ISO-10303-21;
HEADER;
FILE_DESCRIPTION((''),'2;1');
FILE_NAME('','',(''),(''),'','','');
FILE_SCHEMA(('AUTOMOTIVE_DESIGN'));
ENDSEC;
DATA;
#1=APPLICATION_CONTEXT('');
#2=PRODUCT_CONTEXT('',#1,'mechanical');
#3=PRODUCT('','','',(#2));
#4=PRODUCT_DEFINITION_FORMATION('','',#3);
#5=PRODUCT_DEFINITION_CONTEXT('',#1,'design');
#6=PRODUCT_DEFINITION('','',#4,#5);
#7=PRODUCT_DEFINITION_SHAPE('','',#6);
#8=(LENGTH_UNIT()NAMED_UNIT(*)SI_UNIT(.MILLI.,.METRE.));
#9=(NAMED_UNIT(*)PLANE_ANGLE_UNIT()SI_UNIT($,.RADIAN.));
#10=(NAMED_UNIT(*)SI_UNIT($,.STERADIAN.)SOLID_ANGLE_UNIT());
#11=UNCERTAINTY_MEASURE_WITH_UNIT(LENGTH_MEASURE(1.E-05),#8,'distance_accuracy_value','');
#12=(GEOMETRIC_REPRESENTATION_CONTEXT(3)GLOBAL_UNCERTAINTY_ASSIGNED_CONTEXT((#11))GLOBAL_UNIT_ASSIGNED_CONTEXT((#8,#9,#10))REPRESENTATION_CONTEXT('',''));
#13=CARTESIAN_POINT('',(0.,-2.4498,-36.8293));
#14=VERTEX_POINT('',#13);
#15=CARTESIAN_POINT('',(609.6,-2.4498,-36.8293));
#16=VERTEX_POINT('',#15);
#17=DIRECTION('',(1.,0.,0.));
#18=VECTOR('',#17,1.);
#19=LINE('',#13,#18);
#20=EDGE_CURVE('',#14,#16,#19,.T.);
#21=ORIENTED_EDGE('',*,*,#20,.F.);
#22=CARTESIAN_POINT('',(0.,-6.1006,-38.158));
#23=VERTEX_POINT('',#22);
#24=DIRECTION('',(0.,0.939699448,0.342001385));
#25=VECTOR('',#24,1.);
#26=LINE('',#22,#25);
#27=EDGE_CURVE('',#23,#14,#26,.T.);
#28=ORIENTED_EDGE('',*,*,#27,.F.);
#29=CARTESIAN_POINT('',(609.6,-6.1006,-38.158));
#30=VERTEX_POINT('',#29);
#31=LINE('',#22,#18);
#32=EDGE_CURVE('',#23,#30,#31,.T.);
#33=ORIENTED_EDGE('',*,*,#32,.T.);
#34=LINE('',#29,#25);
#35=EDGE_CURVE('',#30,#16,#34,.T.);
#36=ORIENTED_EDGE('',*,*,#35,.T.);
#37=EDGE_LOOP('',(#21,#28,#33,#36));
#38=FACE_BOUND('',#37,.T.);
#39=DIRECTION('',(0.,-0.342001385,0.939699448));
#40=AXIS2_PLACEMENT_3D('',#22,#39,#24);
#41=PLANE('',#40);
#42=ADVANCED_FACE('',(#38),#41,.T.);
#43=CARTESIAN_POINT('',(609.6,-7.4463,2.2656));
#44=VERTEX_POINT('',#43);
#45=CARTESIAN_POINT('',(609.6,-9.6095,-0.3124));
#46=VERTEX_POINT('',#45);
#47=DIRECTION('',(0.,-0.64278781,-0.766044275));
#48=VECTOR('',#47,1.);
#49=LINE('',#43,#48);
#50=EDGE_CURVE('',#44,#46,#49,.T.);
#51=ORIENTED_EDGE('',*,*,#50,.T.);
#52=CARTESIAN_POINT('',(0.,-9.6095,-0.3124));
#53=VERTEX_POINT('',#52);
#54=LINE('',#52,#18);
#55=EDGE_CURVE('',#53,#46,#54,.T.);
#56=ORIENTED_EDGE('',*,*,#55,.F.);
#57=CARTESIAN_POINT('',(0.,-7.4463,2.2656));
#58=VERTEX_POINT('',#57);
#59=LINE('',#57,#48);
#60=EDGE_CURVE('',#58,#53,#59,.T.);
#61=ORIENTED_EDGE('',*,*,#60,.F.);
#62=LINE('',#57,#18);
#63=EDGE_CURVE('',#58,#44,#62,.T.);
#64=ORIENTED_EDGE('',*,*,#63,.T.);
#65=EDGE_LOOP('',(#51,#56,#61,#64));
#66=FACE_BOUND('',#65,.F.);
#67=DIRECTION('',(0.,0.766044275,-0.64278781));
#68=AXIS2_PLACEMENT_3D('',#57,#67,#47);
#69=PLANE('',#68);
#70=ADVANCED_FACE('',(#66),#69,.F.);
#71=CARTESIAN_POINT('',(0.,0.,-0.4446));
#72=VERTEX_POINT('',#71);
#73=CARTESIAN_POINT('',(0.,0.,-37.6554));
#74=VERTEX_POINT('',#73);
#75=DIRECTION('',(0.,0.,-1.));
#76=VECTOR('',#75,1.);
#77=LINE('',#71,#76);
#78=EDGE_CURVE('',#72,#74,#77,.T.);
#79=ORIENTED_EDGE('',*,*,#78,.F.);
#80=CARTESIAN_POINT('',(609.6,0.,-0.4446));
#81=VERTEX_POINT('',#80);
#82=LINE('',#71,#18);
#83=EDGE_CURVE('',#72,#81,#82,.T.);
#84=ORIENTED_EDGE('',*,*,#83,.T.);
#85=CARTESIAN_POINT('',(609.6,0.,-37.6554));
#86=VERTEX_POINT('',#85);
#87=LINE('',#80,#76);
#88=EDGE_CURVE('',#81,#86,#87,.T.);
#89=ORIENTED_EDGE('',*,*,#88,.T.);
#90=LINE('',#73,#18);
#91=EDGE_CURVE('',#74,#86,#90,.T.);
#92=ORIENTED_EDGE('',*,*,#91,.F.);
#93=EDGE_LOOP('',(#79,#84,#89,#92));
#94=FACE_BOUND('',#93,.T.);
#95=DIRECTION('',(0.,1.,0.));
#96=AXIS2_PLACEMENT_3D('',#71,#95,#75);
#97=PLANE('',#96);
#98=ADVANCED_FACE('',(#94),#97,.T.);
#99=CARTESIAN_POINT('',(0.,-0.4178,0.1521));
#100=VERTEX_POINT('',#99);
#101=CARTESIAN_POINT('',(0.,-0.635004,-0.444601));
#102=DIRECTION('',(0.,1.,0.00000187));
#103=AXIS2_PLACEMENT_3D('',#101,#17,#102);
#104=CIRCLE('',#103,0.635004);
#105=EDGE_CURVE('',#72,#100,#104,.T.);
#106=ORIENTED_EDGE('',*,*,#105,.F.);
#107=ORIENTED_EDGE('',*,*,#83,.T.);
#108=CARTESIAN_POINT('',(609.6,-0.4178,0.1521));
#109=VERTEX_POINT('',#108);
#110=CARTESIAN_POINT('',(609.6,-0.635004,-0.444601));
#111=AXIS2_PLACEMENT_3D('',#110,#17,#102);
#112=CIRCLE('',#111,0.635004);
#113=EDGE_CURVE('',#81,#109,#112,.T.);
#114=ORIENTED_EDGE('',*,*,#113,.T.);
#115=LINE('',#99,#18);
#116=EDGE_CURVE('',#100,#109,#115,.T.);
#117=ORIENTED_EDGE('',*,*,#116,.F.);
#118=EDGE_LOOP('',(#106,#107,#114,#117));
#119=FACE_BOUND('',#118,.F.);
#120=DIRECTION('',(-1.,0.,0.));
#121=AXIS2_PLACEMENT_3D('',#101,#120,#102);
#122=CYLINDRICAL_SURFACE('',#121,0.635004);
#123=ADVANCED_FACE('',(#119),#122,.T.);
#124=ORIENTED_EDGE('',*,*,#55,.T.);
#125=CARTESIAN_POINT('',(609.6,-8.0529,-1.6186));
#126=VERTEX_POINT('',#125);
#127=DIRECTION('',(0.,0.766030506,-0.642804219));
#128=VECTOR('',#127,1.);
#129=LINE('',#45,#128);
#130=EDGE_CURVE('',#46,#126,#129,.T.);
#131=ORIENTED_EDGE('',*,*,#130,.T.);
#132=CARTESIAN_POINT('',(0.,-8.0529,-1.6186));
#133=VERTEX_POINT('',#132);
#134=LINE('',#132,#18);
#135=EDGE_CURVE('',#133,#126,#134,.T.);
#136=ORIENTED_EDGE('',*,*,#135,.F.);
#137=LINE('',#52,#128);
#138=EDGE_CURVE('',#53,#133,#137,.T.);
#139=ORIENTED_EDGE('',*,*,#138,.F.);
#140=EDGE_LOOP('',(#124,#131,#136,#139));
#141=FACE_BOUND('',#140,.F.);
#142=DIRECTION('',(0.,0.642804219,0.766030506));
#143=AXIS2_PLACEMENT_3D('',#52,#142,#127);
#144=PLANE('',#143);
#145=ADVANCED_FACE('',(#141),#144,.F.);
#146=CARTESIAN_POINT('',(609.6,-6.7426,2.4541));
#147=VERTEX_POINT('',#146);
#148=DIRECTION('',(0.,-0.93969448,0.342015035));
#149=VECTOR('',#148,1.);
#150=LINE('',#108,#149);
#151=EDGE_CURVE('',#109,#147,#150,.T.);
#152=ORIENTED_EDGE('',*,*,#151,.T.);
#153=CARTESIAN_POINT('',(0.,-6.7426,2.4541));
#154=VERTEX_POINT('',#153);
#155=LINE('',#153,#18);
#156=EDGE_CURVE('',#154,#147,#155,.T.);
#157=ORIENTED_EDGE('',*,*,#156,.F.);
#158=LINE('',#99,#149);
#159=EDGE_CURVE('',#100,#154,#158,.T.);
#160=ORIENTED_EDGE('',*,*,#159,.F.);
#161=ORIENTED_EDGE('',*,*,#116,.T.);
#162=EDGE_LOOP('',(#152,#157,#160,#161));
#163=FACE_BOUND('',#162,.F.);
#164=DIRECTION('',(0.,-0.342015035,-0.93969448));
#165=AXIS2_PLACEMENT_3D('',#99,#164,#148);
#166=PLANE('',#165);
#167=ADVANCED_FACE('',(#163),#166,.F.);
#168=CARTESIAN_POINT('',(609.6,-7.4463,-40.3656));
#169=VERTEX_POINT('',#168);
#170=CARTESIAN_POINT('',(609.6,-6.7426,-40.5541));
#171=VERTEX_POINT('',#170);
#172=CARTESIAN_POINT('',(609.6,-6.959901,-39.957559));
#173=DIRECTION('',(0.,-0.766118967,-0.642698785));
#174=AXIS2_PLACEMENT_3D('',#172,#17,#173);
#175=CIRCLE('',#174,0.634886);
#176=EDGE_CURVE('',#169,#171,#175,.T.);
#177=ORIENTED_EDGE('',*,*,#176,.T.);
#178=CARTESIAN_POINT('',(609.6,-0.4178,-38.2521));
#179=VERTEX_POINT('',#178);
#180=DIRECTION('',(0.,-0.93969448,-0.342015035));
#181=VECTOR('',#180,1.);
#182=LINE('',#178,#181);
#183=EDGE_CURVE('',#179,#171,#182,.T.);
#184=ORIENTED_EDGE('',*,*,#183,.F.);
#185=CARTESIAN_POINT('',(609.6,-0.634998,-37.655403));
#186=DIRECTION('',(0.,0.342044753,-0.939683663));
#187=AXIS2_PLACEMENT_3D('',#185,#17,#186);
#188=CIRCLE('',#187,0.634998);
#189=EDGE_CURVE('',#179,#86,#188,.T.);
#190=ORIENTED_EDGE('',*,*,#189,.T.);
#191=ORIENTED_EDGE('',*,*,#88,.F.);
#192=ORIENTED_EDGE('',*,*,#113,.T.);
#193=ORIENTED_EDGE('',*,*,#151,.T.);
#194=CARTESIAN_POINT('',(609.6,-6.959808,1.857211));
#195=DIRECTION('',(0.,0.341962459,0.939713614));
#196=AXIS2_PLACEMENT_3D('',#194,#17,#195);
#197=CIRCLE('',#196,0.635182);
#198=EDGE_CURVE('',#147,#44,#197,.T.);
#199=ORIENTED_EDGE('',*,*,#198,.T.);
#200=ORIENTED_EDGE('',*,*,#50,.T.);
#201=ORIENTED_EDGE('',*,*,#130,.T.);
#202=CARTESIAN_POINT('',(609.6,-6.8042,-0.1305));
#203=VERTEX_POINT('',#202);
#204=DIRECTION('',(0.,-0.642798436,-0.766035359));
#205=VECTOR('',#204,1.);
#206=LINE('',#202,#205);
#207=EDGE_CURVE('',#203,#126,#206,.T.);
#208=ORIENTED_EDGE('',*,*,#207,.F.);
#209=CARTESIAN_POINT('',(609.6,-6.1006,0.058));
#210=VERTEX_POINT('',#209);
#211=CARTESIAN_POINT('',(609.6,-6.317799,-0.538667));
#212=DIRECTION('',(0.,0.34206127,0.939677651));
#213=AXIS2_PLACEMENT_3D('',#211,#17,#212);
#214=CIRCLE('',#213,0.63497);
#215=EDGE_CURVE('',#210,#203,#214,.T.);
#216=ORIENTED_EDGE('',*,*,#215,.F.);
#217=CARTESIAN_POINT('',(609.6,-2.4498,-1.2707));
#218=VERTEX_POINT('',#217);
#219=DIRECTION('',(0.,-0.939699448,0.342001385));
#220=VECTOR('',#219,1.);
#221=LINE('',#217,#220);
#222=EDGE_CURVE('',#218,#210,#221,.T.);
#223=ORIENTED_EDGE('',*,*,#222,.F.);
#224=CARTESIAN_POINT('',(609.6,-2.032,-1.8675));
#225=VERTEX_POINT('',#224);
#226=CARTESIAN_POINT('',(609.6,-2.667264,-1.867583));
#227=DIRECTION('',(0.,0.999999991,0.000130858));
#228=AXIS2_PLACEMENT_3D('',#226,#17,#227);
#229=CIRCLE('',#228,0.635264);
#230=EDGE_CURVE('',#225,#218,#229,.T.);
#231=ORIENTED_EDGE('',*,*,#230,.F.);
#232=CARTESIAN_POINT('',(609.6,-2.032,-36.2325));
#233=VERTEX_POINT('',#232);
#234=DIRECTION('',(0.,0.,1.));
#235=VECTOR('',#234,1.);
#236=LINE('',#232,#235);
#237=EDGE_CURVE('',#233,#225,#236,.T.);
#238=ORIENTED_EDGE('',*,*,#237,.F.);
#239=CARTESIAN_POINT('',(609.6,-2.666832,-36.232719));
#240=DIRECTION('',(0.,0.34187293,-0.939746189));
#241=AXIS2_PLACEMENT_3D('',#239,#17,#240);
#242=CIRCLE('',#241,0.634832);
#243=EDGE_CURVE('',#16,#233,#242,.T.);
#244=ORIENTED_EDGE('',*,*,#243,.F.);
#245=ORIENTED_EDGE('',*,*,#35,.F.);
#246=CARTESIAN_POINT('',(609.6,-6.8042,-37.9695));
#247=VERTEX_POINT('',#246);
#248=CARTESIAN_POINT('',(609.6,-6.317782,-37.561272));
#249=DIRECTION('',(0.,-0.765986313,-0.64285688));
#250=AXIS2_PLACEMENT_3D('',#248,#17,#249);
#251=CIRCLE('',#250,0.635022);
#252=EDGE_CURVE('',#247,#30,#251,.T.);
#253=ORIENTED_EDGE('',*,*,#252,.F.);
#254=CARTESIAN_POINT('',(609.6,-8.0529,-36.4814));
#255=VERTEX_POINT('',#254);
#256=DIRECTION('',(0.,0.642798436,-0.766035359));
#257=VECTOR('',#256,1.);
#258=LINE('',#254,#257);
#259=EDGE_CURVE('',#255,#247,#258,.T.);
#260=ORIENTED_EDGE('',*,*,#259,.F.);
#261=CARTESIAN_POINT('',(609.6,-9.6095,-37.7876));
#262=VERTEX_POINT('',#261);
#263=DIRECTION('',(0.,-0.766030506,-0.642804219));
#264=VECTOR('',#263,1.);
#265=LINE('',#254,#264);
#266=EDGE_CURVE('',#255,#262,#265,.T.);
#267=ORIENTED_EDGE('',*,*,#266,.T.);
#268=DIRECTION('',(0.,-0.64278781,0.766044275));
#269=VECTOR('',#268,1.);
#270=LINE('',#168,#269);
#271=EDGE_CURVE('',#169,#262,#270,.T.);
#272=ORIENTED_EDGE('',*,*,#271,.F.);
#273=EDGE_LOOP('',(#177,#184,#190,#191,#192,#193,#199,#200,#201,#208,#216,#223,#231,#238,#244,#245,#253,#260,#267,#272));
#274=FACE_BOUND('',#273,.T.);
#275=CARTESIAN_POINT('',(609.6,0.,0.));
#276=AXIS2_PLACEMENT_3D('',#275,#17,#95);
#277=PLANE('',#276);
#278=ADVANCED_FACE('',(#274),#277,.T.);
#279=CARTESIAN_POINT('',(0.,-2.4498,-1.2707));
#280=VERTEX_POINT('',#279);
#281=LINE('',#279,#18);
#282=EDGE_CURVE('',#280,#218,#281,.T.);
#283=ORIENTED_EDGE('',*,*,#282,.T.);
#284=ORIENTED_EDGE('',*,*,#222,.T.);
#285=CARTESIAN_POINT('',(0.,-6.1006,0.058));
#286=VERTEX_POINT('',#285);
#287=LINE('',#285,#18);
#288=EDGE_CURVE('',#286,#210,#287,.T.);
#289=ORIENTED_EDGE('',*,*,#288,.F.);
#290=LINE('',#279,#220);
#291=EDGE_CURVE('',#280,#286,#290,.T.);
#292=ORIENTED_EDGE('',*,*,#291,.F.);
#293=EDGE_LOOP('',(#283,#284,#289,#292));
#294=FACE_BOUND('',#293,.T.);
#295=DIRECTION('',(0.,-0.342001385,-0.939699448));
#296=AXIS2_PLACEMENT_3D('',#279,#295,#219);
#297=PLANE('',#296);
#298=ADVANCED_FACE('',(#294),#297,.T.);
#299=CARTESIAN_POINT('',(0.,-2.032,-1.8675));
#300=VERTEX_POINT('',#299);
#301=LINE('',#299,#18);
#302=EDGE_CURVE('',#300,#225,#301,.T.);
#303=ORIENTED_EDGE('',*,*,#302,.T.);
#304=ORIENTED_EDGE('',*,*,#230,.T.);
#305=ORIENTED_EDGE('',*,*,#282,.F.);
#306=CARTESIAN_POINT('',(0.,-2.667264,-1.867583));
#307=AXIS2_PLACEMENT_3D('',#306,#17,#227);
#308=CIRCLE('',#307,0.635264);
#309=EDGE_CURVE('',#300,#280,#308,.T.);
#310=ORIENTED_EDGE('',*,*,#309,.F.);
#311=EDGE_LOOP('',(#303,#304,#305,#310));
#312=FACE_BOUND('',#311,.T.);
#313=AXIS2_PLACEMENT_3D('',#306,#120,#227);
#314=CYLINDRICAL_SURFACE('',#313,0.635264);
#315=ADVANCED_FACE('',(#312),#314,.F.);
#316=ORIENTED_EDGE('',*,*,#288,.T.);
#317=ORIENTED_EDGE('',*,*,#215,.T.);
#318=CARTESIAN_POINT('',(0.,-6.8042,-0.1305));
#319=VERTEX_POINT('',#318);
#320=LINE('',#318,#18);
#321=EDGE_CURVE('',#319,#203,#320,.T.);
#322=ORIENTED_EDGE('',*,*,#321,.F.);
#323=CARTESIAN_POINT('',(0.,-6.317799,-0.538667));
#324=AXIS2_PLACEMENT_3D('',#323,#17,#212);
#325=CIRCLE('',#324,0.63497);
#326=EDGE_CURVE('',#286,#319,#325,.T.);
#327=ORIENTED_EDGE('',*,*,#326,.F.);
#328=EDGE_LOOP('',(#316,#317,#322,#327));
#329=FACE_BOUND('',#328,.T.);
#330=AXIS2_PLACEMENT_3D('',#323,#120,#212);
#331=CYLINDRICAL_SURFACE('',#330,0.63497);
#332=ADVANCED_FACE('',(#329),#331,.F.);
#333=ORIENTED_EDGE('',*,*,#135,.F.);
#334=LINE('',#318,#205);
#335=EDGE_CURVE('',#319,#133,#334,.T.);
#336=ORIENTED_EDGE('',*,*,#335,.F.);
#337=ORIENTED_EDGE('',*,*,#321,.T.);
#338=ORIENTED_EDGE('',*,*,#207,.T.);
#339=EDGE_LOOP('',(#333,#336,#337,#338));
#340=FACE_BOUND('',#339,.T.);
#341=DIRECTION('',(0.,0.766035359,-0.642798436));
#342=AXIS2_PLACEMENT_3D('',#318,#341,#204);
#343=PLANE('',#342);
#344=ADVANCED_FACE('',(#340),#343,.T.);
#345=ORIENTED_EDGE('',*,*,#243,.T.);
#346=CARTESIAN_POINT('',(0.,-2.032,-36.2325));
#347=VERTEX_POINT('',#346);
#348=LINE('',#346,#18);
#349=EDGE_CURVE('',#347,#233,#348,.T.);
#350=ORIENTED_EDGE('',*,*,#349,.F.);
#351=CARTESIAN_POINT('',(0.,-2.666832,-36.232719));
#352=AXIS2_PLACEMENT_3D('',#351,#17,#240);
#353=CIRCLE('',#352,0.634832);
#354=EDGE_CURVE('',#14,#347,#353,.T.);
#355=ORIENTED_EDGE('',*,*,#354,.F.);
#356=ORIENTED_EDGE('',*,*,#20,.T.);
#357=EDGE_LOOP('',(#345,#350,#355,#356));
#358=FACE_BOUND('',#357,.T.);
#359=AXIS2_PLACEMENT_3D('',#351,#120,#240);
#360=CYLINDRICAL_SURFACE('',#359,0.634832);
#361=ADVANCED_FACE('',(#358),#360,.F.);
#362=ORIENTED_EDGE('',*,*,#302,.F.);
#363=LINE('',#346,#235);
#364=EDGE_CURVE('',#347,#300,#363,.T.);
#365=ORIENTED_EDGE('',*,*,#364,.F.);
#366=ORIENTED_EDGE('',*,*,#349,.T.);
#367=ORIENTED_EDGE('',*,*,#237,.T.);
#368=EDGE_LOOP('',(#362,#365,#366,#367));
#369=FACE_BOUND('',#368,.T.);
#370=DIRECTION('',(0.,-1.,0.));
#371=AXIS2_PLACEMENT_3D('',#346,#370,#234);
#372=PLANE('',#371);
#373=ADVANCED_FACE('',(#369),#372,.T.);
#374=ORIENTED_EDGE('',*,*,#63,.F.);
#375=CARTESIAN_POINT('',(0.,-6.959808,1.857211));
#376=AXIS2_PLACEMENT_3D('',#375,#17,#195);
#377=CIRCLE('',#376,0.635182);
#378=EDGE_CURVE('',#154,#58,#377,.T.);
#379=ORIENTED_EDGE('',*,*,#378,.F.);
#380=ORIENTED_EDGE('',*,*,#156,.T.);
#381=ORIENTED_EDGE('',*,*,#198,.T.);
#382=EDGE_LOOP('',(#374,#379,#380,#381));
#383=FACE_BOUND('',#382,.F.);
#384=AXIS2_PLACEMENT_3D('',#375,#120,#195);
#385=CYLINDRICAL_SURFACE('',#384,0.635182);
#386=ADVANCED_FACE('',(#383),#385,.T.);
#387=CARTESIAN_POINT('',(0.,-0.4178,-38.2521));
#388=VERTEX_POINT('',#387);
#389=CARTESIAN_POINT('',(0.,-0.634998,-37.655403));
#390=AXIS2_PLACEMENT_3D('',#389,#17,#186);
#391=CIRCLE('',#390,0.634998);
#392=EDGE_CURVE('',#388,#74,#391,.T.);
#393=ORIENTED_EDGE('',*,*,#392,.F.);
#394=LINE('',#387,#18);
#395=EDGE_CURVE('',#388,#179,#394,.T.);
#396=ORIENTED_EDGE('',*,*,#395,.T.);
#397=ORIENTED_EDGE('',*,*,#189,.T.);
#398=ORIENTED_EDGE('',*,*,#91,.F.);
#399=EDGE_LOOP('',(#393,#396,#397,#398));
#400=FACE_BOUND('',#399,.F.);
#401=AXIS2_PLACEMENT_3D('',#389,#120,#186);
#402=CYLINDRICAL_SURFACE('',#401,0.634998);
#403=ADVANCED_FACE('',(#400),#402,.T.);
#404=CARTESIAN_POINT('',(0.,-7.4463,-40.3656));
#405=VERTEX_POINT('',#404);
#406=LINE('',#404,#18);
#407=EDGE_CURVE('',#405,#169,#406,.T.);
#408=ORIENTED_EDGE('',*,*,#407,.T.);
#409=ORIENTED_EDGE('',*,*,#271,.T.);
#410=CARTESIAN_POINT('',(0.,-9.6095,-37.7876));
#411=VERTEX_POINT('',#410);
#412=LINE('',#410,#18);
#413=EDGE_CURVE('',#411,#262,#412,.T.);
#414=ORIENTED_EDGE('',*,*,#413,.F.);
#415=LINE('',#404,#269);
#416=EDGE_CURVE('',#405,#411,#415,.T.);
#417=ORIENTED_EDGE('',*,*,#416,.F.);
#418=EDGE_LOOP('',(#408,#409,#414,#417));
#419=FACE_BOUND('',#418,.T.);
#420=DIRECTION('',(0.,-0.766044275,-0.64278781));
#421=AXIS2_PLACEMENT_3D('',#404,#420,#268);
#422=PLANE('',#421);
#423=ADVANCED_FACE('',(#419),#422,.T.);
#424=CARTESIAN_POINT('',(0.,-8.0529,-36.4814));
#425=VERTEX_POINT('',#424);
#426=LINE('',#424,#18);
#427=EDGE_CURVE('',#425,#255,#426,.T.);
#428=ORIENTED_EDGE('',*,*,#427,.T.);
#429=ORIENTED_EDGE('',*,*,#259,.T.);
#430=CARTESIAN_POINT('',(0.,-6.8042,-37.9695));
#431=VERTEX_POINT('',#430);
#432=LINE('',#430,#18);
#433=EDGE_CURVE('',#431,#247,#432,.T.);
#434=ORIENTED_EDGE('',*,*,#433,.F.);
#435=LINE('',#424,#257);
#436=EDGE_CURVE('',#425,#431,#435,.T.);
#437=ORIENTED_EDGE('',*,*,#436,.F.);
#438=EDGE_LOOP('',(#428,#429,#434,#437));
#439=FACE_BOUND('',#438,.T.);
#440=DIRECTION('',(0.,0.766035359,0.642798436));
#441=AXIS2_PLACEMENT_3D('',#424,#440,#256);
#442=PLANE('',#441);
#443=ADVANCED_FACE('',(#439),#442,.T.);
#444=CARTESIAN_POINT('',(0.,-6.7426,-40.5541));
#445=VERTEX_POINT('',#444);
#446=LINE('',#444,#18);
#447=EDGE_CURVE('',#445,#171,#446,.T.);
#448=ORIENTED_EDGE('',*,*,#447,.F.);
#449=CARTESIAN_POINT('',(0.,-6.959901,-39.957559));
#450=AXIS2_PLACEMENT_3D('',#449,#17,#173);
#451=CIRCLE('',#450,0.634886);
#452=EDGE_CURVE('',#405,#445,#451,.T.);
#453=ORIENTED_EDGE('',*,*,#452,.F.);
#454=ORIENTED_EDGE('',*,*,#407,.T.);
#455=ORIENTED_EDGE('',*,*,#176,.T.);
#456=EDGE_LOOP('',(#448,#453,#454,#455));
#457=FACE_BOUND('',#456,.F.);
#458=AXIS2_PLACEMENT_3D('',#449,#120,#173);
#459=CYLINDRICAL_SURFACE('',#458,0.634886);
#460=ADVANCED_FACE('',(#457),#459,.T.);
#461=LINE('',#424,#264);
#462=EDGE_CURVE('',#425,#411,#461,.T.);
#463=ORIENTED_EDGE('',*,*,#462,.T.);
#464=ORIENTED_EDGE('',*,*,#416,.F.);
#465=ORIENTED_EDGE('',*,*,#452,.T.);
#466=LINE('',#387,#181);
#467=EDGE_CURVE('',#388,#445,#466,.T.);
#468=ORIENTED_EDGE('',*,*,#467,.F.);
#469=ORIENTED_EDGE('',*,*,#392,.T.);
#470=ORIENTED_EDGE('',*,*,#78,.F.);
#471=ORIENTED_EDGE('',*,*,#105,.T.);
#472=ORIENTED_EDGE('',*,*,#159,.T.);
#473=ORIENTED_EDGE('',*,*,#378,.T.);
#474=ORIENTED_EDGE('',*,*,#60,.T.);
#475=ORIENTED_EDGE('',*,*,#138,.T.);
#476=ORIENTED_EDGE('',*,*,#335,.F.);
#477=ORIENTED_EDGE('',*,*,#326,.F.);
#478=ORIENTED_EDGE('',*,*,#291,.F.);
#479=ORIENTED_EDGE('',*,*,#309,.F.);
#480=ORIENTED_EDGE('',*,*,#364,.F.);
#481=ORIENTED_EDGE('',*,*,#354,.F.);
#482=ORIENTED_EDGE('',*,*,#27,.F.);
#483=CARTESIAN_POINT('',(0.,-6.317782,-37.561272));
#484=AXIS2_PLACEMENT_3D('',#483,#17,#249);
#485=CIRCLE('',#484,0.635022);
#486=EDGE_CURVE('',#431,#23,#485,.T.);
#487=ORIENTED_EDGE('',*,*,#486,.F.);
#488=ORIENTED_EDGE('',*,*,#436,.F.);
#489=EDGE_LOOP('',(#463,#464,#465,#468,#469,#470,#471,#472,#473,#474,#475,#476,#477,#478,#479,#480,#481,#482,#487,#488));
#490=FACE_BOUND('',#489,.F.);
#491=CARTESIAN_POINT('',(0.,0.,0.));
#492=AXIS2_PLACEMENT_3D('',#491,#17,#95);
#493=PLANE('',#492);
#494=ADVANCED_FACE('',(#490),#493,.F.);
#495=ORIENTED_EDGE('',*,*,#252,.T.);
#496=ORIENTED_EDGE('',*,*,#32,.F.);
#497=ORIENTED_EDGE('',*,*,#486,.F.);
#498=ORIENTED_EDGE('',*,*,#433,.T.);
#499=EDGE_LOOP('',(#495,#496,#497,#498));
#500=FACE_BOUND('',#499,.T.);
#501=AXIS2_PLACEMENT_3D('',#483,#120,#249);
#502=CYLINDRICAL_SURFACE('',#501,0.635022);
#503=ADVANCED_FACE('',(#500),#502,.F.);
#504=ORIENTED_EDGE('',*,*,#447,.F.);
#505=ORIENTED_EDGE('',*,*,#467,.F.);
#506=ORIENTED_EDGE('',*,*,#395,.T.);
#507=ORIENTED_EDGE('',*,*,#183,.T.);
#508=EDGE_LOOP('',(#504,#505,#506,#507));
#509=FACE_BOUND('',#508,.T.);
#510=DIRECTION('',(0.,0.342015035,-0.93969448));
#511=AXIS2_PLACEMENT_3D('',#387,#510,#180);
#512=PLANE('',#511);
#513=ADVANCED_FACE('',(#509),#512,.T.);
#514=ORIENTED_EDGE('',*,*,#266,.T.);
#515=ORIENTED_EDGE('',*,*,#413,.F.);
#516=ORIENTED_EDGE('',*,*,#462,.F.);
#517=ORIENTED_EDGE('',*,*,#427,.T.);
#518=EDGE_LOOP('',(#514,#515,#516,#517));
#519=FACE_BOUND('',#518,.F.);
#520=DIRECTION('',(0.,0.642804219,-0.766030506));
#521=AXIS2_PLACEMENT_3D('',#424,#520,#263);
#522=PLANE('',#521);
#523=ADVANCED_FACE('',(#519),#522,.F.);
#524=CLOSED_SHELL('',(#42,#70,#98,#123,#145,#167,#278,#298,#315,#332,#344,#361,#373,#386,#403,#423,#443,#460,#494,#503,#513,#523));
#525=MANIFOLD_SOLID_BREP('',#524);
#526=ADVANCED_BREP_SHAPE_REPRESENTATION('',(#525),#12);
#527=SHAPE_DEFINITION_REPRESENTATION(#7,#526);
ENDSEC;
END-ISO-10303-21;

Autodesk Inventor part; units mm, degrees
ref_plane "YZ Plane" through (0, 0, 0) normal (1, 0, 0) x (0, 1, 0)
ref_plane "XZ Plane" through (0, 0, 0) normal (0, 1, 0) x (-1, 0, 0)
ref_plane "XY Plane" through (0, 0, 0) normal (0, 0, 1) x (1, 0, 0)
sketch "Sketch1" plane through (0, 0, 0) normal (1, 0, 0) x (0, 1, 0)
  line L0 (0, -0.4446) -> (0, -37.6554)
  line L1 (-0.4178, 0.1521) -> (-6.7426, 2.4541)
  line L2 (-7.4463, 2.2656) -> (-9.6095, -0.3124)
  line L3 (-0.4178, -38.2521) -> (-6.7426, -40.5541)
  line L4 (-7.4463, -40.3656) -> (-9.6095, -37.7876)
  line L5 (-8.0529, -36.4814) -> (-6.8042, -37.9695)
  line L6 (-6.1006, -38.158) -> (-2.4498, -36.8293)
  line L7 (-2.032, -36.2325) -> (-2.032, -1.8675)
  line L8 (-2.4498, -1.2707) -> (-6.1006, 0.058)
  line L9 (-6.8042, -0.1305) -> (-8.0529, -1.6186)
  line L10 (-9.6095, -0.3124) -> (-8.0529, -1.6186)
  line L11 (-8.0529, -36.4814) -> (-9.6095, -37.7876)
  arc A0 (0, -0.4446) -> (-0.4178, 0.1521) centre (-0.635, -0.4446) ccw
  arc A1 (-2.032, -1.8675) -> (-2.4498, -1.2707) centre (-2.667, -1.8675) ccw
  arc A2 (-6.1006, 0.058) -> (-6.8042, -0.1305) centre (-6.3178, -0.5387) ccw
  arc A3 (-6.7426, 2.4541) -> (-7.4463, 2.2656) centre (-6.9598, 1.8574) ccw
  arc A4 (-0.4178, -38.2521) -> (0, -37.6554) centre (-0.635, -37.6554) ccw
  arc A5 (-2.4498, -36.8293) -> (-2.032, -36.2325) centre (-2.667, -36.2325) ccw
  arc A6 (-6.8042, -37.9695) -> (-6.1006, -38.158) centre (-6.3178, -37.5613) ccw
  arc A7 (-7.4463, -40.3656) -> (-6.7426, -40.5541) centre (-6.9598, -39.9574) ccw
  point P0 (0, 0)
  point P1 (0, -38.1)
  point P2 (-7.1605, 2.6062)
  point P3 (-7.1605, -40.7062)
  point P4 (-6.5184, -38.3101)
  point P5 (-6.5184, 0.2101)
  dimension "d7" = 7.62
  dimension "d8" = 3.81
  dimension "d9" = 110
  dimension "d10" = 110
  dimension "d11" = 7.62
  dimension "d12" = 3.81
  dimension "d13" = 110
  dimension "d14" = 110
  dimension "d15" = 38.1
  dimension "d16" = 2.032
  dimension "d17" = 2.3872
  dimension "d18" = 2.3872
  dimension "d19" = 0.635
extrude "Extrusion1" add sketch "Sketch1" along normal blind 609.6
properties part number "the inside for the 2nd slider part"
